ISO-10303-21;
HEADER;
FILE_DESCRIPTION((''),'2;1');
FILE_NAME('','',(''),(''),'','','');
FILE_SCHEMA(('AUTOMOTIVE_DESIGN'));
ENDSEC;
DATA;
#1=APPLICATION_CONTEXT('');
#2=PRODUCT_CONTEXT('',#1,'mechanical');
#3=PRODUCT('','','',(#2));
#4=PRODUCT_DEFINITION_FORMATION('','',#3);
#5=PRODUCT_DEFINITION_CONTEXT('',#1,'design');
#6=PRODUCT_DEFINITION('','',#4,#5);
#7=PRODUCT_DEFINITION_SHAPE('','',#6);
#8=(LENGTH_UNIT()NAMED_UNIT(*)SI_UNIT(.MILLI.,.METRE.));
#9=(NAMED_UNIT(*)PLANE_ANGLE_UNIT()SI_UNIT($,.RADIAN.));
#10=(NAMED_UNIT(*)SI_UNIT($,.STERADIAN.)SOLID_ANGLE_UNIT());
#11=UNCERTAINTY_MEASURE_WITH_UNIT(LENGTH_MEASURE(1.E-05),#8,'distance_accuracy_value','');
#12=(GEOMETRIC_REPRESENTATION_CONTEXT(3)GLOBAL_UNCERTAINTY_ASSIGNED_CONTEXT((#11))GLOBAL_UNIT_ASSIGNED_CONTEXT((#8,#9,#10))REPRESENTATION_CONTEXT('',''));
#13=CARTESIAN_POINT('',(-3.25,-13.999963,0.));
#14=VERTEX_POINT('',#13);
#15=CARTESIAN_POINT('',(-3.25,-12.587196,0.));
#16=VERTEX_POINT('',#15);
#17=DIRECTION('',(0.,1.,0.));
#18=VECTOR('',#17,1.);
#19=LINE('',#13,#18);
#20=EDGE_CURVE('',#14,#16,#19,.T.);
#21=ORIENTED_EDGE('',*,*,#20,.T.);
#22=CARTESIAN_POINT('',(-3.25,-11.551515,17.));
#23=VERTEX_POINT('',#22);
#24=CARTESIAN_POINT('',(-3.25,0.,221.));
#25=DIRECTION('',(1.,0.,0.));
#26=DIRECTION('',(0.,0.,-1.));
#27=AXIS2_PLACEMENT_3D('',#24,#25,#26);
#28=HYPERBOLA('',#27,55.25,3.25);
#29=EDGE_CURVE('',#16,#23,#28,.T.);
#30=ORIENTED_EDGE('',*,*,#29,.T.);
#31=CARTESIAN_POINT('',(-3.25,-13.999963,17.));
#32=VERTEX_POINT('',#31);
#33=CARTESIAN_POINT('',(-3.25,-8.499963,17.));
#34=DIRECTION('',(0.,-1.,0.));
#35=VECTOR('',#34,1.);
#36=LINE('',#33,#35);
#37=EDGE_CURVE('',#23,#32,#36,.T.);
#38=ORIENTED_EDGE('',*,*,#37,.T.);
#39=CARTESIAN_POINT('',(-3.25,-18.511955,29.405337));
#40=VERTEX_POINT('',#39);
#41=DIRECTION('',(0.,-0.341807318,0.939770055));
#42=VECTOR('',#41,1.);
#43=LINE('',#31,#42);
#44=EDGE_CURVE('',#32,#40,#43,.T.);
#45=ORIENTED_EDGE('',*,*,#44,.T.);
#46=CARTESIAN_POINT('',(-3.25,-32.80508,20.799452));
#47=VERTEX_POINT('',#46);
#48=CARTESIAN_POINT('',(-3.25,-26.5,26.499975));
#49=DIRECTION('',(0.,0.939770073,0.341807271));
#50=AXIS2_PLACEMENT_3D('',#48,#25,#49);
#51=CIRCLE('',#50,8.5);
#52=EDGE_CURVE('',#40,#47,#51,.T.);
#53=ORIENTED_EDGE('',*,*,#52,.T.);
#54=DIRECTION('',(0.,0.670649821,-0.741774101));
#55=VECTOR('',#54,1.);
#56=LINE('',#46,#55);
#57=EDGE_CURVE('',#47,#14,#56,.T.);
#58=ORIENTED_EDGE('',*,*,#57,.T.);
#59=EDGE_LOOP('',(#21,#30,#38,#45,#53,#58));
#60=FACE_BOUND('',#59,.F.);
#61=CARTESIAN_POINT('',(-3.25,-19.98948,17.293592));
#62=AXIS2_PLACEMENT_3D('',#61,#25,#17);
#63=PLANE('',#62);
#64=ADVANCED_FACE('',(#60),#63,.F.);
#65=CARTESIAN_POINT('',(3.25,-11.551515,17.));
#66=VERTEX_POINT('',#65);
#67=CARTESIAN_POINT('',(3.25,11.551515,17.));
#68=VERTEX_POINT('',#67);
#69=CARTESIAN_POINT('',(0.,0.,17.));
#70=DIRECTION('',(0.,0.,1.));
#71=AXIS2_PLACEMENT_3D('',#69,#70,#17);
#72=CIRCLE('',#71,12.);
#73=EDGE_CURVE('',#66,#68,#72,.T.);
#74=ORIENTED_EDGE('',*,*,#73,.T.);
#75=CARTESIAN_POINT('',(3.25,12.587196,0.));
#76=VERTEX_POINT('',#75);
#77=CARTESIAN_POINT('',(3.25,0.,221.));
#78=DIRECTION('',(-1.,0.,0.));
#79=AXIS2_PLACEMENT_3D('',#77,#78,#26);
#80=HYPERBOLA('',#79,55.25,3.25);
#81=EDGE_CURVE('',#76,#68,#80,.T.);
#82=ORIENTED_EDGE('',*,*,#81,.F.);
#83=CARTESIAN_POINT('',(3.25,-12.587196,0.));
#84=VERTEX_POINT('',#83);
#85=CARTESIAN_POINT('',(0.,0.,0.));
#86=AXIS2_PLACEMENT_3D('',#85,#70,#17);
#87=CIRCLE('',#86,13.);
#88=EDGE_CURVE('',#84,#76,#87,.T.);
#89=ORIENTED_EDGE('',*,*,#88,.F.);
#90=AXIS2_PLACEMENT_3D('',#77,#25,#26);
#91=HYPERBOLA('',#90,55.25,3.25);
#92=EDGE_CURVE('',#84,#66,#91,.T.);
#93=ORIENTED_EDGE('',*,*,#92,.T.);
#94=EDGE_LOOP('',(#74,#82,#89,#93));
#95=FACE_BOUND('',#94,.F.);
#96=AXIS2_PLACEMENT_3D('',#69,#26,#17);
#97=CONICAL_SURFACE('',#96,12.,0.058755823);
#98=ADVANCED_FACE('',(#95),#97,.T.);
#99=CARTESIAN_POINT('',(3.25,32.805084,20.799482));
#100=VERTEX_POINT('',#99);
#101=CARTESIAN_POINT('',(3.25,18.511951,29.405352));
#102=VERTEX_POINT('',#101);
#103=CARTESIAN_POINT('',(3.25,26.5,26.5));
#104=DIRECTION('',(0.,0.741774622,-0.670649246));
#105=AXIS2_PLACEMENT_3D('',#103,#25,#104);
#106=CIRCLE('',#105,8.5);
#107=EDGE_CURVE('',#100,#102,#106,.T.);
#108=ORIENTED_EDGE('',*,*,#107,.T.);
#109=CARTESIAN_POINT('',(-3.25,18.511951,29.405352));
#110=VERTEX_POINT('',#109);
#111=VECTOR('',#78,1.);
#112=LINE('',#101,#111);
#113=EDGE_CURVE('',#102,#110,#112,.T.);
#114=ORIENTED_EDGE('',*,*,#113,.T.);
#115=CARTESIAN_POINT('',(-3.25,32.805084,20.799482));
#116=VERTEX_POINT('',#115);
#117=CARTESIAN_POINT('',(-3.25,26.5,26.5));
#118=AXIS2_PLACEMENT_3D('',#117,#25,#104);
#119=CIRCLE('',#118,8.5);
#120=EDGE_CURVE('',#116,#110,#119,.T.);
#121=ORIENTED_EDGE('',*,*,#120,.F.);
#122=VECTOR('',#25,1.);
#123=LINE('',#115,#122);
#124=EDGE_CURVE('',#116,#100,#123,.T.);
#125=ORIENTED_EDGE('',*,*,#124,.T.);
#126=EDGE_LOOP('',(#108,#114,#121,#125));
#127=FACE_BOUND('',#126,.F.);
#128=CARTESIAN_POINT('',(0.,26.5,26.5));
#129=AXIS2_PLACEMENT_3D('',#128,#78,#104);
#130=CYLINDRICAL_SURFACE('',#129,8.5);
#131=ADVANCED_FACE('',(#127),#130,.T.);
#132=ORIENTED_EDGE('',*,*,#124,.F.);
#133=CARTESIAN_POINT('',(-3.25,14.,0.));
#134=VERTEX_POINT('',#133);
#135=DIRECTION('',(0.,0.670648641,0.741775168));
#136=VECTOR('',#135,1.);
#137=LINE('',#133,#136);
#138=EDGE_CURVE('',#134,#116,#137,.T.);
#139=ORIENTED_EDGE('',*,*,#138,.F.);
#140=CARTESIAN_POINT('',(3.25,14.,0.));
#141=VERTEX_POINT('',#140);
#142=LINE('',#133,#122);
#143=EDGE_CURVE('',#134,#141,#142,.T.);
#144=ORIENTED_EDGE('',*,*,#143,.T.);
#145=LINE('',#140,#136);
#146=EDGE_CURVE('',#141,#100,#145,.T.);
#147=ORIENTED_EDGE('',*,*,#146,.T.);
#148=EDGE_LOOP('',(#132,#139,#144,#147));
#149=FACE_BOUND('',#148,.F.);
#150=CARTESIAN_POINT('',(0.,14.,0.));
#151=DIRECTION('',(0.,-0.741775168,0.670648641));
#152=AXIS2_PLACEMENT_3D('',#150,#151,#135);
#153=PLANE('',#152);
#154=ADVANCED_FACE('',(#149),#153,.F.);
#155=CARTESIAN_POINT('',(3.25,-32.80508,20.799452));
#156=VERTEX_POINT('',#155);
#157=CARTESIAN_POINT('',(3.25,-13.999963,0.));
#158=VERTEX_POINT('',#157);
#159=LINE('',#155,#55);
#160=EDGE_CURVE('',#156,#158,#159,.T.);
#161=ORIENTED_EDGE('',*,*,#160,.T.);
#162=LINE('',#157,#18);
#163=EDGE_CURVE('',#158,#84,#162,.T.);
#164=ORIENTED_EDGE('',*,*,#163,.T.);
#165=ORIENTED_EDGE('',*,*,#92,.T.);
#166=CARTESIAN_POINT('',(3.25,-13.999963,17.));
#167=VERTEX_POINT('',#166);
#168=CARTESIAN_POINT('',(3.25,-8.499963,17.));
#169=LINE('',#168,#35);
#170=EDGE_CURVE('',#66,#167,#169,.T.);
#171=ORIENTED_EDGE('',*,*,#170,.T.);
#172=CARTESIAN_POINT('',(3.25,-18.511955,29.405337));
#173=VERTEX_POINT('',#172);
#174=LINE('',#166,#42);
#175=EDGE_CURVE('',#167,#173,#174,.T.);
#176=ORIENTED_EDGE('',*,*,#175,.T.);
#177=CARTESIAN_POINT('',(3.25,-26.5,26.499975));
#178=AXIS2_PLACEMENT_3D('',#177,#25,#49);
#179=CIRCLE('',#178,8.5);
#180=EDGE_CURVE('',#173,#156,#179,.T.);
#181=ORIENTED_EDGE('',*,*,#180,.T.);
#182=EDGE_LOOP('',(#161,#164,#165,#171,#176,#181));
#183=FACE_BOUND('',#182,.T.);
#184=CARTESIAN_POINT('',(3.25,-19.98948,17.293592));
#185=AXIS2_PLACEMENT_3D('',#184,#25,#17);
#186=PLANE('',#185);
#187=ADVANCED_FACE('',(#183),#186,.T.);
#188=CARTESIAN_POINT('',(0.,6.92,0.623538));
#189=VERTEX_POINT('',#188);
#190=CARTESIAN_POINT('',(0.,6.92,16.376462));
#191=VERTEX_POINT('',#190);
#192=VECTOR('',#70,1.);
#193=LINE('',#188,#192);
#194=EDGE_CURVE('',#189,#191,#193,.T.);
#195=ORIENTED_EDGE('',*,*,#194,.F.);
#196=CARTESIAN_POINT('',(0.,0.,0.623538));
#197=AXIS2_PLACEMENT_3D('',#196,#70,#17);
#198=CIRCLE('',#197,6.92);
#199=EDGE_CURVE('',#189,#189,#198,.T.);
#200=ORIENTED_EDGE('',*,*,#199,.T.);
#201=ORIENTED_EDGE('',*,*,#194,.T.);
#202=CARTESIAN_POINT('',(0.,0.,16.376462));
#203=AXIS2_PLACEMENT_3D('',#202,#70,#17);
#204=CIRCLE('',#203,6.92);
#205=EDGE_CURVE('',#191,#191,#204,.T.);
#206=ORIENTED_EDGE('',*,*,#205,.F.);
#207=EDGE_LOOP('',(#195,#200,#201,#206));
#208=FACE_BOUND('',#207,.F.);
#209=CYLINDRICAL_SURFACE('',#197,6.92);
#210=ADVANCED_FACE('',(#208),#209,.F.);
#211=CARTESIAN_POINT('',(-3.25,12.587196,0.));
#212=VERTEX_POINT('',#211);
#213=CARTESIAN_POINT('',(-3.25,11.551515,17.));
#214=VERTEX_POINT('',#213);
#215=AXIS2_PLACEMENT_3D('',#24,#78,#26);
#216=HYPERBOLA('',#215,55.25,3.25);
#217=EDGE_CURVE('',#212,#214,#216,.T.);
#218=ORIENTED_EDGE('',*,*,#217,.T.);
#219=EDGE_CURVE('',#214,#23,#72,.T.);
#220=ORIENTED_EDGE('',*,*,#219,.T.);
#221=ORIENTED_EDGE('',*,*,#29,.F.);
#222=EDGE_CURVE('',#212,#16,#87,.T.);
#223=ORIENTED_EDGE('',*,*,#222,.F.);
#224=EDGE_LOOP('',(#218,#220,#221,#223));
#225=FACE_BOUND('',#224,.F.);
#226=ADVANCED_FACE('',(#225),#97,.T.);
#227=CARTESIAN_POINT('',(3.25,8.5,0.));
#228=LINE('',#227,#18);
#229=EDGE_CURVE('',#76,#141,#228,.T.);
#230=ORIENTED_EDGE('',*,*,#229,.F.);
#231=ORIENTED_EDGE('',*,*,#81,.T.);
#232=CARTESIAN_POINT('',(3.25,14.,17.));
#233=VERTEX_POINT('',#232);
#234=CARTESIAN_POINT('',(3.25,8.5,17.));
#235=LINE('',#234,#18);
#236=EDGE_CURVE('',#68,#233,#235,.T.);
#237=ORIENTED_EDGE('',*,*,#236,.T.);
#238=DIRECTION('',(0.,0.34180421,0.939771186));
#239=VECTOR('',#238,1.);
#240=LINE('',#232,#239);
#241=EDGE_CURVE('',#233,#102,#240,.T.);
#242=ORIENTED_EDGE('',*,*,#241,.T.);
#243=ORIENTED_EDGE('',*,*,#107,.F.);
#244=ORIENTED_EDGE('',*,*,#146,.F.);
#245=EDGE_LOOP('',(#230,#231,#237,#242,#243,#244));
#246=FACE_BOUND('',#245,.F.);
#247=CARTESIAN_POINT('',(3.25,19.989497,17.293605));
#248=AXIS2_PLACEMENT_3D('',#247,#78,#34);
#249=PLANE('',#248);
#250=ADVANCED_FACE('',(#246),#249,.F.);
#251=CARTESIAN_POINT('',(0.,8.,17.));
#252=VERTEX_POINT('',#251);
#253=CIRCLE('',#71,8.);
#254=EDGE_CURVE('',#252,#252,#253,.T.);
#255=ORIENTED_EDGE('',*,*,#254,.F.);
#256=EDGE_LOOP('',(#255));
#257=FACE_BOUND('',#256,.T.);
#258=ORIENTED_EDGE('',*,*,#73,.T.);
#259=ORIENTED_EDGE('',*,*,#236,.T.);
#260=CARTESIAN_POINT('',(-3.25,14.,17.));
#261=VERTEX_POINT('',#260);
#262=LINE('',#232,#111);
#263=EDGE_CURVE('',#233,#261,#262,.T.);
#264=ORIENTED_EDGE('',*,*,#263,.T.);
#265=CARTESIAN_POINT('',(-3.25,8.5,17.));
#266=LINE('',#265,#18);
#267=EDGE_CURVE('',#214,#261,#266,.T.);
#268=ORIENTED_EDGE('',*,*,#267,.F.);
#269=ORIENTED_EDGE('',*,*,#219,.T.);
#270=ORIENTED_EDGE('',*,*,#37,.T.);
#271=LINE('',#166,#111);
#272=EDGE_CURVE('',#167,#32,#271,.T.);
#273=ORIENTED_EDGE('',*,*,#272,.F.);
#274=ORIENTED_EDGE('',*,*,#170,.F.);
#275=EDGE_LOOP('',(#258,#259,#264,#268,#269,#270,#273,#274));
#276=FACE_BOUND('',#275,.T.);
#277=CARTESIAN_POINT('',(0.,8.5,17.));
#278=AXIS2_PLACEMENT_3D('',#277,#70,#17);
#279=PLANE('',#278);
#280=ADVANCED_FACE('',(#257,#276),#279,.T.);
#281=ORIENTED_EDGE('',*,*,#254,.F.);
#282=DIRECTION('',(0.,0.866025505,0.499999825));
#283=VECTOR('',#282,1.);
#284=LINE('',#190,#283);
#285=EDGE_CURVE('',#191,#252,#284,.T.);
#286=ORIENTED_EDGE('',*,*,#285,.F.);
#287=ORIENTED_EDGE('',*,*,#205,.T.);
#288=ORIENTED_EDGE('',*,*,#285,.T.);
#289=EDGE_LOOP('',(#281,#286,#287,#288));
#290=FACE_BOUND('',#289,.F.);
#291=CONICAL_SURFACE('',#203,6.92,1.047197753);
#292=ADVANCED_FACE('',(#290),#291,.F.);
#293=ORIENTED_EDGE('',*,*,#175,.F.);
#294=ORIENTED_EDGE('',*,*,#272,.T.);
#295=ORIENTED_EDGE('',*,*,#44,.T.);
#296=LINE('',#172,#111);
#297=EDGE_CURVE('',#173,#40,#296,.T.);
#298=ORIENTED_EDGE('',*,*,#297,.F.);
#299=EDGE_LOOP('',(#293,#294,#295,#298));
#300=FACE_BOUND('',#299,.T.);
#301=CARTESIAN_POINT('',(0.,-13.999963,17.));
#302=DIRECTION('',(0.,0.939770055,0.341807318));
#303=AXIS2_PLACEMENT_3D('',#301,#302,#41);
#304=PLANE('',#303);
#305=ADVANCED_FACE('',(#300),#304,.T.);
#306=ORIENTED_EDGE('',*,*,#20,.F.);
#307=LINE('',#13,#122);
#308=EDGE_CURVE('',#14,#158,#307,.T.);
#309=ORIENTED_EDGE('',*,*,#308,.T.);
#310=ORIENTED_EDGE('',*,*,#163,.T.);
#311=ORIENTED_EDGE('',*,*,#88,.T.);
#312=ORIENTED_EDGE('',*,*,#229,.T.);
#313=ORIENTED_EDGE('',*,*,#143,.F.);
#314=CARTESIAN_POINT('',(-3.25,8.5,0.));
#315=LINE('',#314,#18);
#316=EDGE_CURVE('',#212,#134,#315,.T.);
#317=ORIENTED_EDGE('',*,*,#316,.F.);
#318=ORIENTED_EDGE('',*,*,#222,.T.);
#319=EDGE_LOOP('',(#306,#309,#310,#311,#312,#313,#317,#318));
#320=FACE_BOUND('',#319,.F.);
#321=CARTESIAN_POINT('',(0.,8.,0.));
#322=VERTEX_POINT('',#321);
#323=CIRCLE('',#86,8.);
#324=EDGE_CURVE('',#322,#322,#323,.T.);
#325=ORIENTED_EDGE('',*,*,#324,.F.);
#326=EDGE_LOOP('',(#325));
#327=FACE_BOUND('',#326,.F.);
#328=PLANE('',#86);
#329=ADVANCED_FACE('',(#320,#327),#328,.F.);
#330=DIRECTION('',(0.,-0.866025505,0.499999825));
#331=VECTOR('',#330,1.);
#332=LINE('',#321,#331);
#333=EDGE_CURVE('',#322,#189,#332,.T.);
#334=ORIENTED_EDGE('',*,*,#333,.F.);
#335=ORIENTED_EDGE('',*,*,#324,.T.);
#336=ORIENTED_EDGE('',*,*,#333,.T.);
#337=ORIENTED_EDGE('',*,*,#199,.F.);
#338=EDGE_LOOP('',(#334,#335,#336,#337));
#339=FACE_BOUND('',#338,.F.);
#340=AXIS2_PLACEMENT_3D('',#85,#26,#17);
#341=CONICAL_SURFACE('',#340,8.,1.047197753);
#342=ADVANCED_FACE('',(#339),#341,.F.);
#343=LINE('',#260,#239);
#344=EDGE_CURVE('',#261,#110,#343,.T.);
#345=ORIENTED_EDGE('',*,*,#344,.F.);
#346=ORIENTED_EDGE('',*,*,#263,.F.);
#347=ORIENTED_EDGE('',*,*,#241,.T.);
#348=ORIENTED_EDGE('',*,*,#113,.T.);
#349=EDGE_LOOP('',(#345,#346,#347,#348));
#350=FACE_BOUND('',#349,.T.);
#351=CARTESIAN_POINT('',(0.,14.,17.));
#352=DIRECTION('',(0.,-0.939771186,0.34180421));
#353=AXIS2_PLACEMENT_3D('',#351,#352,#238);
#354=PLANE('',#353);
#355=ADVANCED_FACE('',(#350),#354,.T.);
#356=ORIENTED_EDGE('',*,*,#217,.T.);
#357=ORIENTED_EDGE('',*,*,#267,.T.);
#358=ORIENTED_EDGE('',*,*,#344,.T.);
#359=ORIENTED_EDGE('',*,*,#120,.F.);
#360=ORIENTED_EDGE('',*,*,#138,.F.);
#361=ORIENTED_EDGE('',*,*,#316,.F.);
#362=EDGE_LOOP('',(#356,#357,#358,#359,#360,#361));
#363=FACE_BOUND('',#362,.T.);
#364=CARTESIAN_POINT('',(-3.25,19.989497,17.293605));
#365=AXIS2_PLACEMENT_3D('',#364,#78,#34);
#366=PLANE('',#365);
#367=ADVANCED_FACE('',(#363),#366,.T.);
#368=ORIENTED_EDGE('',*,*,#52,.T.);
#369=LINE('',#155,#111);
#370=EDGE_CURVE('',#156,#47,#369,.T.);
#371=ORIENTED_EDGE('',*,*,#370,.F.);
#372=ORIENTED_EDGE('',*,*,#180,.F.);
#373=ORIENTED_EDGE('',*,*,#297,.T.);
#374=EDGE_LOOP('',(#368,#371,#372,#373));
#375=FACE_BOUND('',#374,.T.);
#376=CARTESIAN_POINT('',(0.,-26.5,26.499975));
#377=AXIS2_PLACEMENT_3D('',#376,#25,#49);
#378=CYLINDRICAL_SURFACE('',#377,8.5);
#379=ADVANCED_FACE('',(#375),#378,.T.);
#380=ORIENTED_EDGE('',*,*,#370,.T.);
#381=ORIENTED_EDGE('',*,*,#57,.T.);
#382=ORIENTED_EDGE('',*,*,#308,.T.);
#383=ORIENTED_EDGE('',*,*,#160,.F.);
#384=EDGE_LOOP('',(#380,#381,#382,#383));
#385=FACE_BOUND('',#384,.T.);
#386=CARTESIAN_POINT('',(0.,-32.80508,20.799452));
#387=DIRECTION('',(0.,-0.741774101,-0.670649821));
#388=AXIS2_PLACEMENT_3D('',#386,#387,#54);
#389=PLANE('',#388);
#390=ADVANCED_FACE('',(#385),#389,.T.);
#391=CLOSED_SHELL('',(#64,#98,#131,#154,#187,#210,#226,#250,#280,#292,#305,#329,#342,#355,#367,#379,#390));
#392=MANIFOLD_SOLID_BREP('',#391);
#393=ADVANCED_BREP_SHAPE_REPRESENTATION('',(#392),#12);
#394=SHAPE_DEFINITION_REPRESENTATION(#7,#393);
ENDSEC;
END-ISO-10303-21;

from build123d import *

# Parameters (mm, degrees)
PAD_DEPTH = 3.25


with BuildPart() as pad:
    # Sketch001 → Pad (new body, symmetric)
    with BuildSketch(Plane.YZ):
        with BuildLine():
            Line((8.5, 0), (8.5, 17))
            Line((8.5, 17), (14, 17))
            Line((14, 17), (18.511951, 29.405352))
            ThreePointArc((32.805084, 20.799482), (30.884444, 33.78194), (18.511951, 29.405352))
            Line((14, 0), (32.805084, 20.799482))
            Line((8.5, 0), (14, 0))
        make_face()
        with BuildLine():
            Line((-32.80508, 20.799452), (-13.999963, 0))
            Line((-13.999963, 0), (-8.499963, 0))
            Line((-8.499963, 0), (-8.499963, 17))
            Line((-8.499963, 17), (-13.999963, 17))
            Line((-13.999963, 17), (-18.511955, 29.405337))
            ThreePointArc((-18.511955, 29.405337), (-30.884451, 33.781911), (-32.80508, 20.799452))
        make_face()
    extrude(amount=PAD_DEPTH, both=True)


with BuildPart() as fl_gelmutter_din_315_m16:
    # Sketch → Revolution (revolve)
    with BuildSketch(Plane.YZ):
        Polygon((8, 0), (6.92, 0.623538), (6.92, 16.376462), (8, 17), (12, 17), (13, 0), align=None)
    revolve(axis=Axis((0, 0, 0), (0, 0, 1)))

    # Fusion: union Pad
    add(pad.part)


solid = fl_gelmutter_din_315_m16.part
